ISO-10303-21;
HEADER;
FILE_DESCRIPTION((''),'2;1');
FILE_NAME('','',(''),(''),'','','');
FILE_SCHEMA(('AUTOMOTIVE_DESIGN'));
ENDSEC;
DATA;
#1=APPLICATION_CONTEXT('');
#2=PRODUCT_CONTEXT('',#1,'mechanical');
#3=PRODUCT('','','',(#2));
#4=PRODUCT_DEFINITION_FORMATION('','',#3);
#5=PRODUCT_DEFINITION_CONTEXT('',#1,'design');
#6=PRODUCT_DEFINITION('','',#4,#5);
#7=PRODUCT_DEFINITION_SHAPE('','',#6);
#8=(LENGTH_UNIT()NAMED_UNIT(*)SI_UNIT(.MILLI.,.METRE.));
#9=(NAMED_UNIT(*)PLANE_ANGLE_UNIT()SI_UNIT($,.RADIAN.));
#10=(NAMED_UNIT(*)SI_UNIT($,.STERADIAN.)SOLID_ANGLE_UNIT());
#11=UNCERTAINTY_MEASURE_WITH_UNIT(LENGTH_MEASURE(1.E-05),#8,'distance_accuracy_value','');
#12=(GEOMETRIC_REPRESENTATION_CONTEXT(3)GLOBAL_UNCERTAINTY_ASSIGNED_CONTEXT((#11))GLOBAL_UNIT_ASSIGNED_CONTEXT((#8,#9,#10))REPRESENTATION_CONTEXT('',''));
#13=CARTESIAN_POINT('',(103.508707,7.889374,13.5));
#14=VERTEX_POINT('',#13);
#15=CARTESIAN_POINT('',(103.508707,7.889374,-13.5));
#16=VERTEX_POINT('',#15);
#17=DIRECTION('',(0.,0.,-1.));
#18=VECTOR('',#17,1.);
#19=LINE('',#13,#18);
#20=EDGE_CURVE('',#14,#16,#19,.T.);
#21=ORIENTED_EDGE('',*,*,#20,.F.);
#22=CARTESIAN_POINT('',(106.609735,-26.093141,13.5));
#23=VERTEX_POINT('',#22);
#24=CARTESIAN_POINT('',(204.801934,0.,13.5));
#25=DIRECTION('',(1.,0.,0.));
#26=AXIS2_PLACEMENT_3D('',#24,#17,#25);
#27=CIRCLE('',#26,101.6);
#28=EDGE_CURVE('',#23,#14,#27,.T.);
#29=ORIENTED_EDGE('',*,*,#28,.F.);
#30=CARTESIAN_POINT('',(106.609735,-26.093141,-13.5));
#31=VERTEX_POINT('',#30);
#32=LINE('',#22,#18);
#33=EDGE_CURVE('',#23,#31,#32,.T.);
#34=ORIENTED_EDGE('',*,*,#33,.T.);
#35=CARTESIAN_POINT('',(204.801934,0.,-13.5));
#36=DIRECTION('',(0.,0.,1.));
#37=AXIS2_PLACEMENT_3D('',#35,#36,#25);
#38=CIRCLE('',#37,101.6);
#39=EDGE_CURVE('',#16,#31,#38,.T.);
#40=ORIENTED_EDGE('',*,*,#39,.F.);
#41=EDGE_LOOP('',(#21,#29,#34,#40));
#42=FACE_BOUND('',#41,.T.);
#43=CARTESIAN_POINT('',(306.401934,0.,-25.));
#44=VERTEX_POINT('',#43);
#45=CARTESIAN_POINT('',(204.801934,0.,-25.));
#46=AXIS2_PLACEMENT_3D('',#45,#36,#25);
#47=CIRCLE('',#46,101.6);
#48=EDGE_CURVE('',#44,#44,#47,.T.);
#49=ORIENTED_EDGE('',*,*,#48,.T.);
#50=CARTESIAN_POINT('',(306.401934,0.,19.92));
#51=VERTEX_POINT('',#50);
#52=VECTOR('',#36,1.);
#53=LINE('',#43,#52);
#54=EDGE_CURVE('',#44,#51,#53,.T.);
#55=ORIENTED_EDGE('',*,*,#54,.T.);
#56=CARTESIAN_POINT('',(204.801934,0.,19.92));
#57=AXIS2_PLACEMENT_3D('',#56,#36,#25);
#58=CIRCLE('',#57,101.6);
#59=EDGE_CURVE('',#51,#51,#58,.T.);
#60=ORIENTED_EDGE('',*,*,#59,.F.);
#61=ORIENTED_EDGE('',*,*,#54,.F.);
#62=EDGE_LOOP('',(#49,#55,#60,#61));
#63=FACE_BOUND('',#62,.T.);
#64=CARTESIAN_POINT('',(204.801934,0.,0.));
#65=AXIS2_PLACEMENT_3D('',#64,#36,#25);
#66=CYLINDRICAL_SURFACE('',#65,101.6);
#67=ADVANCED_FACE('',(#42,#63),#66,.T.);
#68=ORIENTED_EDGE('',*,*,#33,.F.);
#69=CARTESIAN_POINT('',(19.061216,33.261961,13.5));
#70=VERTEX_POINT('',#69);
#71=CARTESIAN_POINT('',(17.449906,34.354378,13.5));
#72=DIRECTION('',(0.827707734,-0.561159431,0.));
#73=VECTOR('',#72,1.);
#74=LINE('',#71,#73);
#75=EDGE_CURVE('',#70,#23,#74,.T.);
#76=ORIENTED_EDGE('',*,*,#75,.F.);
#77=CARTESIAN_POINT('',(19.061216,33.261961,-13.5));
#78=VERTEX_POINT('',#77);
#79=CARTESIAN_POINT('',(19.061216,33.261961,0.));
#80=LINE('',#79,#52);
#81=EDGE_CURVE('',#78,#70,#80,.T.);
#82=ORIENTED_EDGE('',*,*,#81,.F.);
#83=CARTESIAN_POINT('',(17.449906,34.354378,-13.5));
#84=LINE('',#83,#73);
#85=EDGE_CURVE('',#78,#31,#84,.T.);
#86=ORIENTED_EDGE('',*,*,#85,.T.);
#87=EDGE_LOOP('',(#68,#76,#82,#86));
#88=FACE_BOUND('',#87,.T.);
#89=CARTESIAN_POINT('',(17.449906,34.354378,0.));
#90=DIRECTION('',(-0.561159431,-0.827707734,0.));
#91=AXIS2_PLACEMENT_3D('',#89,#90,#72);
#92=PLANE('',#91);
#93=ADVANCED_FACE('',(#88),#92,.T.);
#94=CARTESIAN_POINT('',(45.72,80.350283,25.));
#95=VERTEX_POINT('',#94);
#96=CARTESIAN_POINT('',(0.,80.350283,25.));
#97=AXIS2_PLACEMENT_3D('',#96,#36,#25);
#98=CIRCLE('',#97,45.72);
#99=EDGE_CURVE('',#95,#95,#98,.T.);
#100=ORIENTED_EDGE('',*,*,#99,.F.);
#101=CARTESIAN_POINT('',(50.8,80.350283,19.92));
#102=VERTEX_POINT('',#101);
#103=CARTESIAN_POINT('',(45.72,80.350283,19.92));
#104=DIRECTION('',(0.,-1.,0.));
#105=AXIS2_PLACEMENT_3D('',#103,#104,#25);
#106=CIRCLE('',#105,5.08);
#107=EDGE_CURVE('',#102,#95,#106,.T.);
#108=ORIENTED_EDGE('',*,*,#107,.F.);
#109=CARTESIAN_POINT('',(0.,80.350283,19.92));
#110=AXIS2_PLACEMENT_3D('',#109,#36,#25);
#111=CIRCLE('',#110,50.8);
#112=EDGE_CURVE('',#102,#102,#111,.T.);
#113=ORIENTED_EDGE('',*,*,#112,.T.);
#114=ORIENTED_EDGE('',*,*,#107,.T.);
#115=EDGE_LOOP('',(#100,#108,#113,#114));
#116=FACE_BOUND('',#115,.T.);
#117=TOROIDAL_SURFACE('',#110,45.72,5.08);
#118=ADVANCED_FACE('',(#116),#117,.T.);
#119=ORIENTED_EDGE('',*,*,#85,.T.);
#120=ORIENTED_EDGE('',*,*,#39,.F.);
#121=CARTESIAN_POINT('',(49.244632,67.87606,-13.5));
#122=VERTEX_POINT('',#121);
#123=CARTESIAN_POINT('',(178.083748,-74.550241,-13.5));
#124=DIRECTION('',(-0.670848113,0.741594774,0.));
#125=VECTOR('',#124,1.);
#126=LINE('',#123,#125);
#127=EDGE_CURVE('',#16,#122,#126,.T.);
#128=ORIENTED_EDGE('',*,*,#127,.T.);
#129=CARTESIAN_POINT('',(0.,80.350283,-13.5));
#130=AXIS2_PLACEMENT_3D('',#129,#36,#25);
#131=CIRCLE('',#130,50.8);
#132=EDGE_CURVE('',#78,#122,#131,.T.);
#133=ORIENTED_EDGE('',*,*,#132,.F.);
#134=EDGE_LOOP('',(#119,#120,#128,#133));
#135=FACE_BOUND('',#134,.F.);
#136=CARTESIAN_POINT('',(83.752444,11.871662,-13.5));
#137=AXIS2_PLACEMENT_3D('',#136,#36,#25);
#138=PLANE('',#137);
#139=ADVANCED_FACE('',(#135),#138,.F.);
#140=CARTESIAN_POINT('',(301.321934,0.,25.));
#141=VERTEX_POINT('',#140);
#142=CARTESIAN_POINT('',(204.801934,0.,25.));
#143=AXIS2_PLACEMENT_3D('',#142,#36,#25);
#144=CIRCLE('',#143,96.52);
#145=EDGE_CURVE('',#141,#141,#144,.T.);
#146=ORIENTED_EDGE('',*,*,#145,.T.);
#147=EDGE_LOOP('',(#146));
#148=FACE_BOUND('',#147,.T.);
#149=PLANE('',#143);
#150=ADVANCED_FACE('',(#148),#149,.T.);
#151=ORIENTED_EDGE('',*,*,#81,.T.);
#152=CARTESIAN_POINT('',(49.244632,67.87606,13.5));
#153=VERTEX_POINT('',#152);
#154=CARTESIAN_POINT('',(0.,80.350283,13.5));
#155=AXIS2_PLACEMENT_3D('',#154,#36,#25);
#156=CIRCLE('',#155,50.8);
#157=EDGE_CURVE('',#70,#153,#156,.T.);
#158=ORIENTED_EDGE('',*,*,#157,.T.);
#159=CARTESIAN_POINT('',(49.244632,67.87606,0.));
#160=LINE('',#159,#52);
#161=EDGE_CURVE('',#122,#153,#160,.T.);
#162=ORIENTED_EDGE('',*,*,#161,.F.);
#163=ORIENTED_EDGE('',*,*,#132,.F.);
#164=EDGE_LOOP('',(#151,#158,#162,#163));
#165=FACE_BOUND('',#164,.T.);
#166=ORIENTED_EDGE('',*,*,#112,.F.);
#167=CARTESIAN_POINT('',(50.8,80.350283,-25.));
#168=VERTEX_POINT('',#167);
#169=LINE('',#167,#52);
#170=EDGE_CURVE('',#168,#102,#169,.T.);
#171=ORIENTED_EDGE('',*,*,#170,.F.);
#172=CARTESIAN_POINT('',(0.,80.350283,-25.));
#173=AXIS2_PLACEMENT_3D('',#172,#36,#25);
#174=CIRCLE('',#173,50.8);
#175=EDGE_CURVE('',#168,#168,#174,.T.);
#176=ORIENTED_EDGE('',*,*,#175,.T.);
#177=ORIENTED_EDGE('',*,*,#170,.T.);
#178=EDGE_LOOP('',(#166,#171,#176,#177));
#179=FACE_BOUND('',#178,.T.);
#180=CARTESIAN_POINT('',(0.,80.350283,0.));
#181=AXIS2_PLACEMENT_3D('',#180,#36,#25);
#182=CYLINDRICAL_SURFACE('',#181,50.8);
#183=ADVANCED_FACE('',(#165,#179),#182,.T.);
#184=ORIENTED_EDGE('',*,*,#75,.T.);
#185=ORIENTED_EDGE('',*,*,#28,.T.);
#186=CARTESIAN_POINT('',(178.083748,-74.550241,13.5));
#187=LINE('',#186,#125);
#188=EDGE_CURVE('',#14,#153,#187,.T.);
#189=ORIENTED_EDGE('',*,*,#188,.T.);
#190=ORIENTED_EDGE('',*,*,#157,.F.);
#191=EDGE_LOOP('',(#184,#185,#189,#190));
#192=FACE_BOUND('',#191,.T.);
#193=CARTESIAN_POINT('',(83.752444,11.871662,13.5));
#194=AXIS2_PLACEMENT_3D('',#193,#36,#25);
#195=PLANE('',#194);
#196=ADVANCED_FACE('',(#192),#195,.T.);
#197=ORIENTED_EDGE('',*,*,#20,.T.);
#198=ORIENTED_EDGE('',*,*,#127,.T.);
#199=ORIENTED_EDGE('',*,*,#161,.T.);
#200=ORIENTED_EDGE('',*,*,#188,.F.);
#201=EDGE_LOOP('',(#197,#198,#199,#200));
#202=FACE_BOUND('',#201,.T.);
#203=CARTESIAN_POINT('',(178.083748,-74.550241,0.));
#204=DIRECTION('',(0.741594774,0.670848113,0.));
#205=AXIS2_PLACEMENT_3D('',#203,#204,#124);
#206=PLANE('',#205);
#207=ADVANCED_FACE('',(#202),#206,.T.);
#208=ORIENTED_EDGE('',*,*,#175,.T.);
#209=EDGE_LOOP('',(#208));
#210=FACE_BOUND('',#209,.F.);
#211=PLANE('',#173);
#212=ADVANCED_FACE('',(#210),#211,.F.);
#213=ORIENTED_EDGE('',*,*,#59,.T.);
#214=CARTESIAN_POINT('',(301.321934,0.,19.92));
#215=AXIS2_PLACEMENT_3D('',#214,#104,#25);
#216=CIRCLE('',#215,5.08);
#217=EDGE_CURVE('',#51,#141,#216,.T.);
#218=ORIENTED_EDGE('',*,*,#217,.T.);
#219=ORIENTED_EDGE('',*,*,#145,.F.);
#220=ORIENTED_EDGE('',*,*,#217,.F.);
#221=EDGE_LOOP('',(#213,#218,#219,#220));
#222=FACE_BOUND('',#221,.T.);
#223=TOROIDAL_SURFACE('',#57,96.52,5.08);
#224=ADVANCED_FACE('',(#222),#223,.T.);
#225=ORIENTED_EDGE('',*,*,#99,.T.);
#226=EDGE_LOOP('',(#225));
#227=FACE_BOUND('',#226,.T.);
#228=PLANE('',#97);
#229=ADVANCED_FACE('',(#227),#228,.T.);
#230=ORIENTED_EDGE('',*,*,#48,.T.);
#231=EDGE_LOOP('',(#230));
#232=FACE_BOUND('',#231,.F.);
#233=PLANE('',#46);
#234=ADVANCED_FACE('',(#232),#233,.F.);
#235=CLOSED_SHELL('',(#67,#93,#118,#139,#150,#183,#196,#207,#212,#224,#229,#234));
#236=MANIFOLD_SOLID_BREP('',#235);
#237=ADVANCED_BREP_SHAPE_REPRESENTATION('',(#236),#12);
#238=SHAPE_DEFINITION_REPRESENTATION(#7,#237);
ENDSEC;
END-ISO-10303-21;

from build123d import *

# Parameters (mm, degrees)
F0_R     = 101.6
F0_R_2   = 50.8
F1_DEPTH = 25
F2_R     = 5.08
F4_DEPTH = 13.5


with BuildPart() as f1:
    # F0 (on Top) → F1 (new body, symmetric)
    with BuildSketch(Plane.XY):
        with Locations((204.801934, 0)):
            Circle(F0_R)
        with Locations((0, 80.350283)):
            Circle(F0_R_2)
    extrude(amount=F1_DEPTH, both=True)

    # F2
    f2_edges = [f1.edges().sort_by_distance(p)[0] for p in [
        (-50.8, 80.350283, 25),
        (103.201934, 0, 25),
    ]]
    fillet(f2_edges, radius=F2_R)

    # F3 (on Top) → F4 (join, symmetric)
    with BuildSketch(Plane.XY):
        Polygon((10.487304, 110.720679), (17.449906, 34.354378), (178.083748, -74.550241), align=None)
    extrude(amount=F4_DEPTH, both=True)


solid = f1.part
